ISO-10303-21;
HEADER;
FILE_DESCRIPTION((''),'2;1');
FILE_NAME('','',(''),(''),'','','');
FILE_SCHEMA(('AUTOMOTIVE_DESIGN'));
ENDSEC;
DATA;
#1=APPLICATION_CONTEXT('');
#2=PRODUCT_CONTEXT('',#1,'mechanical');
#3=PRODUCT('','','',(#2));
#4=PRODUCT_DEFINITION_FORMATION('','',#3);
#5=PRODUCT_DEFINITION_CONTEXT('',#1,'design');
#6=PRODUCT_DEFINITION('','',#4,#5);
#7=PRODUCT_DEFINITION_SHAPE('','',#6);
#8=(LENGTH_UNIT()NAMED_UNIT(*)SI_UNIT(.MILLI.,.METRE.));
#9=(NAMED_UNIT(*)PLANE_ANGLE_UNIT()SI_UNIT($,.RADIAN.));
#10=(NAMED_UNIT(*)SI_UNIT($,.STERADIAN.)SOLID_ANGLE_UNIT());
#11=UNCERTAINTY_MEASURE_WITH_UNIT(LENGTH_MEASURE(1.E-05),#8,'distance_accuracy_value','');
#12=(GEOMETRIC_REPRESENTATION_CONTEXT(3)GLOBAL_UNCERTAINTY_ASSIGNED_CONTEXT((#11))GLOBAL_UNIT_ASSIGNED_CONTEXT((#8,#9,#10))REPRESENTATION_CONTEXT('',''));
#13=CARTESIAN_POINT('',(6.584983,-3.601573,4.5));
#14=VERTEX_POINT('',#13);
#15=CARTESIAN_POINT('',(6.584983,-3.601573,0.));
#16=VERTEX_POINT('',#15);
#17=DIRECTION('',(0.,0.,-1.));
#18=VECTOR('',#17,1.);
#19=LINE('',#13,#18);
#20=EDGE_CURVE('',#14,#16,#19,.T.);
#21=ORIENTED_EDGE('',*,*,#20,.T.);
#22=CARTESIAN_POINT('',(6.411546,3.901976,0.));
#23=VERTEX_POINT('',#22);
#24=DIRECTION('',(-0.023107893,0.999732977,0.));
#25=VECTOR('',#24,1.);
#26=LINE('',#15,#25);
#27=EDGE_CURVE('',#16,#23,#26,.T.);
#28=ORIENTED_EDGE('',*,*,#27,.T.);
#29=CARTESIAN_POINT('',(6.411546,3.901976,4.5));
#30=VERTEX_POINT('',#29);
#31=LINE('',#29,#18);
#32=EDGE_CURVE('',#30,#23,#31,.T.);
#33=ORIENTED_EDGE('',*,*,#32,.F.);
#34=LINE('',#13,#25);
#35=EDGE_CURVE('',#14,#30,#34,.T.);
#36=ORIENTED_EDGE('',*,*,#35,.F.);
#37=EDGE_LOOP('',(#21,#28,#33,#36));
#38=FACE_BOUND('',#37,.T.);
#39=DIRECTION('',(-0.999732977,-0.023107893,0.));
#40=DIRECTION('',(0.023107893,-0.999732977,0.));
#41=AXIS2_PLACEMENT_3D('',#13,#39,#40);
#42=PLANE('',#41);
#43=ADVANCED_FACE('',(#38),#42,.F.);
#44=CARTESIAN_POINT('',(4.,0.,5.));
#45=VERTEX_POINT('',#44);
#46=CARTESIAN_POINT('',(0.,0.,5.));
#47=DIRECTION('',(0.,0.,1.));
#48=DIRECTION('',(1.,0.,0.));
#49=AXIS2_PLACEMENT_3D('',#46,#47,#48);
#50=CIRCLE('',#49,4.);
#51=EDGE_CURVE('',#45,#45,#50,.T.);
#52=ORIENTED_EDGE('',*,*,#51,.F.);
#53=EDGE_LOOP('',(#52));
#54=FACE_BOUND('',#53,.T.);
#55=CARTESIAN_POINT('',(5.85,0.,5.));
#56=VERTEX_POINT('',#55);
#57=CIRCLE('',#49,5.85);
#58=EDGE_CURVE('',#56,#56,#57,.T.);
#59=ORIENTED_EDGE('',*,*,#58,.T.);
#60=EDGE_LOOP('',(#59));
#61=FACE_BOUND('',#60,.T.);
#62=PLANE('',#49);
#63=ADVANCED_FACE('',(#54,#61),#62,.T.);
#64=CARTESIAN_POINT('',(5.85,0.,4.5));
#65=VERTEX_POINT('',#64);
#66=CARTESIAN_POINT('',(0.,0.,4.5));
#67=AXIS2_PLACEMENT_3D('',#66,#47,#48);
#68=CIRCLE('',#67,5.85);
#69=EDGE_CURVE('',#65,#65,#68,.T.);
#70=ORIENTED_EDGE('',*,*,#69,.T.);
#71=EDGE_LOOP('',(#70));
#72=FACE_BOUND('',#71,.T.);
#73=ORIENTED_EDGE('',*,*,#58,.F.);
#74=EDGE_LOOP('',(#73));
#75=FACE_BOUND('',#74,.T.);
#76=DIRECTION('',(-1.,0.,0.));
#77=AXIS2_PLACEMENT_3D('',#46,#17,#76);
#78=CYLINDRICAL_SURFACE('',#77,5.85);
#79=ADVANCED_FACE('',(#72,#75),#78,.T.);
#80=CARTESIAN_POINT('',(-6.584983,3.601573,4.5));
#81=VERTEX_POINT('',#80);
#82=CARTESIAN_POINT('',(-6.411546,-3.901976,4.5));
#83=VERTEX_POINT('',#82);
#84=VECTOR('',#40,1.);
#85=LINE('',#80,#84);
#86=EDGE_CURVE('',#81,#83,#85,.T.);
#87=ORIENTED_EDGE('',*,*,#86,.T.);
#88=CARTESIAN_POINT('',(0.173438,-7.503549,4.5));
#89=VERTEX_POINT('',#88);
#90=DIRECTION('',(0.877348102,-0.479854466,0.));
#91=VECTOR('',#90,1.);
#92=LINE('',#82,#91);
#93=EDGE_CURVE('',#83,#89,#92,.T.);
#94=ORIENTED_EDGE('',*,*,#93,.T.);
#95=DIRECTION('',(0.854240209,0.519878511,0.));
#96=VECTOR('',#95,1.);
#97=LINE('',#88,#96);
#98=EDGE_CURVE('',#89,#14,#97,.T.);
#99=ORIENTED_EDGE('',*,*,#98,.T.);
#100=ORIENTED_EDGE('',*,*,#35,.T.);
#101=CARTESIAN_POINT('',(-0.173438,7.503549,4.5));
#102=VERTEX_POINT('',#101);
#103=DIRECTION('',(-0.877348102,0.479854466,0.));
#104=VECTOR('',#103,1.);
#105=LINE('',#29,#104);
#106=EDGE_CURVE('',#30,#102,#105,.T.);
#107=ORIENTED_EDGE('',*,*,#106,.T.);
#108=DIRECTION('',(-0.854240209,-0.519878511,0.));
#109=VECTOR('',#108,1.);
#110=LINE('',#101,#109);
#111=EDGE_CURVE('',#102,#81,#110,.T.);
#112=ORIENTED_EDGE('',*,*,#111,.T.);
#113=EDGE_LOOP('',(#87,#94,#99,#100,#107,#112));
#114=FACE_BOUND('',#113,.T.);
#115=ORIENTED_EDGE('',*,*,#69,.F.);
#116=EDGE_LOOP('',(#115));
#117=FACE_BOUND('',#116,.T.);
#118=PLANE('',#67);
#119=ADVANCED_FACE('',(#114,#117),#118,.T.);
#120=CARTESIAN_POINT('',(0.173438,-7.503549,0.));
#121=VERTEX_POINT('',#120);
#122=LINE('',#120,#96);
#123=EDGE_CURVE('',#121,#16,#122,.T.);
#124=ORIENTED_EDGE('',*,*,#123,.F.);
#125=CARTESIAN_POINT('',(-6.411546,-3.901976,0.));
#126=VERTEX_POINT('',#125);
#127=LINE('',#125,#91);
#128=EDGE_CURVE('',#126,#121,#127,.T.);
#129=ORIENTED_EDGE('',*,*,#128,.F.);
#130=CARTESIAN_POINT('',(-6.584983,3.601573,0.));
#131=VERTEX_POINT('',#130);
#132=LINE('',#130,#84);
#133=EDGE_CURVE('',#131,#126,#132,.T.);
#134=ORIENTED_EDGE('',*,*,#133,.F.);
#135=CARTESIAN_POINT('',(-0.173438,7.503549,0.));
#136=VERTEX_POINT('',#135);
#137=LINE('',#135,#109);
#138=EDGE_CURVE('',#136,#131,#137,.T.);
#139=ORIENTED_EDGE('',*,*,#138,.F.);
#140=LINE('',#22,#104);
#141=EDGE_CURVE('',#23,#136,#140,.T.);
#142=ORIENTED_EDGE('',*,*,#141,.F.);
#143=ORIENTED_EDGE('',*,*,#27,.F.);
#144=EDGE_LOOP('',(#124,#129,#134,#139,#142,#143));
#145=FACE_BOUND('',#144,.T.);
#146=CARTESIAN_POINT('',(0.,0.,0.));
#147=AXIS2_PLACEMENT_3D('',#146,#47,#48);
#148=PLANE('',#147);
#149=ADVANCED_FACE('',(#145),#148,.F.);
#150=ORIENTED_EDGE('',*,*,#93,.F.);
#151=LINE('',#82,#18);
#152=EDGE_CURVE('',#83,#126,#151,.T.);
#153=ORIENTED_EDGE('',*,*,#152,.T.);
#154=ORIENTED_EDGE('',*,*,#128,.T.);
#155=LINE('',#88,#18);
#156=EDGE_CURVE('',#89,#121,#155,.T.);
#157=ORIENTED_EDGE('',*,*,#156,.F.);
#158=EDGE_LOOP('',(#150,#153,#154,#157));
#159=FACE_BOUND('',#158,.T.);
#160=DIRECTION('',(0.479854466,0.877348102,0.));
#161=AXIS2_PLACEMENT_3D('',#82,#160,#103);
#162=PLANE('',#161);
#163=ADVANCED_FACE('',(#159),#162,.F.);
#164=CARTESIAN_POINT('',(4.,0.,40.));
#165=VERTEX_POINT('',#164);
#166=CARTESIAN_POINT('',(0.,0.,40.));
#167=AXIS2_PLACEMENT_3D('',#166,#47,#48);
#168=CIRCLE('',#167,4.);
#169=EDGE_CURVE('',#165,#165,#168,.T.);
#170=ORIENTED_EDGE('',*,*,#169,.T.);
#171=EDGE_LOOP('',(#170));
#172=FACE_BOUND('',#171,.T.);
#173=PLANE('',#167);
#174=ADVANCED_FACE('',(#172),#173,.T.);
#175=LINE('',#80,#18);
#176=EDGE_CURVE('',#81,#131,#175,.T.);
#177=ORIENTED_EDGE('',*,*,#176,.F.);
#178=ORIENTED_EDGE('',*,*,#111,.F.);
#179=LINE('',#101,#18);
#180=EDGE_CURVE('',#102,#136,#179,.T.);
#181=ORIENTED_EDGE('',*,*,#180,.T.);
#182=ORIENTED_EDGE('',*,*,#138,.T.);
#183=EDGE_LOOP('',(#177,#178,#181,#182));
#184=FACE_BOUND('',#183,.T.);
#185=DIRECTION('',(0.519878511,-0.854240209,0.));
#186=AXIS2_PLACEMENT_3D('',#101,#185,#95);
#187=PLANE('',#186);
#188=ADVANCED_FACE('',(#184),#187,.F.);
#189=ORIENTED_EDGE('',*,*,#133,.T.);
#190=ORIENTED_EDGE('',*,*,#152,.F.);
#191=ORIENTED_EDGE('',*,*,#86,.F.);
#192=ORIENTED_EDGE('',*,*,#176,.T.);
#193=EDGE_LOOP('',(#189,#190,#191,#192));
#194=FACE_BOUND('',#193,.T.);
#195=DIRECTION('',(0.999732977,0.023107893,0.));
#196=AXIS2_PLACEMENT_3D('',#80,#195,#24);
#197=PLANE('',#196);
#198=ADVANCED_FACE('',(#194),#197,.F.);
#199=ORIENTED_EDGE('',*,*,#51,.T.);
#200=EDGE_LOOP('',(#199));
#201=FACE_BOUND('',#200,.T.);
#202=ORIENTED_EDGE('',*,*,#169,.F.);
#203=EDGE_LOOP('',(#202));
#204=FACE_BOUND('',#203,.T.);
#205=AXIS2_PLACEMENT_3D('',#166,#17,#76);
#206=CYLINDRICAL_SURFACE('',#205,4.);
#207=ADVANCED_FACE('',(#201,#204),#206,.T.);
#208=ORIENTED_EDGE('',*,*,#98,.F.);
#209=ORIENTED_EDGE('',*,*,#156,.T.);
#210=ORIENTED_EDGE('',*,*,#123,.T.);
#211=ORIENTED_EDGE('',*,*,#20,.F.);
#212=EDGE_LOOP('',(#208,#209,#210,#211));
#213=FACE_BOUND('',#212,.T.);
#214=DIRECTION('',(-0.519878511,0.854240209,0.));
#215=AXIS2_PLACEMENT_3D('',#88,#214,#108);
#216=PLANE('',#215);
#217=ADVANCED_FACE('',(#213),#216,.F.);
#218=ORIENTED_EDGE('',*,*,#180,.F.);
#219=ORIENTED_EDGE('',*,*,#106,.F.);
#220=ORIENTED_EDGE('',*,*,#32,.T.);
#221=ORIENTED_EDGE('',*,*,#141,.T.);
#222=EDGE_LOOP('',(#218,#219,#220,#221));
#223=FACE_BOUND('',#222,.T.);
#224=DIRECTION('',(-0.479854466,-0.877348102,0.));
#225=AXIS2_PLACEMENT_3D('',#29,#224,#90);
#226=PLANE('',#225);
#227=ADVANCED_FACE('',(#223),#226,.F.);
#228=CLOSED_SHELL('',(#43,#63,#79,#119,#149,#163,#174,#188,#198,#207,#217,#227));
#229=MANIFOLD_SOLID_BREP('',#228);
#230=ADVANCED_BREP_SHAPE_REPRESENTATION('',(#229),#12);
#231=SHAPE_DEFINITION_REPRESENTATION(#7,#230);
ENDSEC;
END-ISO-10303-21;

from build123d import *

# Parameters (mm, degrees)
BOSS_EXTRUDE1_DEPTH = 4.5
SKETCH2_R           = 5.85
BOSS_EXTRUDE2_DEPTH = 0.5
SKETCH3_R           = 4
BOSS_EXTRUDE3_DEPTH = 35


with BuildPart() as part:
    # Sketch1 → Boss-Extrude1 (new body)
    with BuildSketch(Plane.XY):
        Polygon((-6.411545587, -3.901975976), (0.173437527, -7.503549344), (6.584983114, -3.601573368), (6.411545587, 3.901975976), (-0.173437527, 7.503549344), (-6.584983114, 3.601573368), align=None)
    extrude(amount=BOSS_EXTRUDE1_DEPTH)

    # Sketch2 → Boss-Extrude2 (add)
    with BuildSketch(Plane.XY.offset(4.5)):
        Circle(SKETCH2_R)
    extrude(amount=BOSS_EXTRUDE2_DEPTH)

    # Sketch3 → Boss-Extrude3 (add)
    with BuildSketch(Plane.XY.offset(5)):
        Circle(SKETCH3_R)
    extrude(amount=BOSS_EXTRUDE3_DEPTH)


solid = part.part
